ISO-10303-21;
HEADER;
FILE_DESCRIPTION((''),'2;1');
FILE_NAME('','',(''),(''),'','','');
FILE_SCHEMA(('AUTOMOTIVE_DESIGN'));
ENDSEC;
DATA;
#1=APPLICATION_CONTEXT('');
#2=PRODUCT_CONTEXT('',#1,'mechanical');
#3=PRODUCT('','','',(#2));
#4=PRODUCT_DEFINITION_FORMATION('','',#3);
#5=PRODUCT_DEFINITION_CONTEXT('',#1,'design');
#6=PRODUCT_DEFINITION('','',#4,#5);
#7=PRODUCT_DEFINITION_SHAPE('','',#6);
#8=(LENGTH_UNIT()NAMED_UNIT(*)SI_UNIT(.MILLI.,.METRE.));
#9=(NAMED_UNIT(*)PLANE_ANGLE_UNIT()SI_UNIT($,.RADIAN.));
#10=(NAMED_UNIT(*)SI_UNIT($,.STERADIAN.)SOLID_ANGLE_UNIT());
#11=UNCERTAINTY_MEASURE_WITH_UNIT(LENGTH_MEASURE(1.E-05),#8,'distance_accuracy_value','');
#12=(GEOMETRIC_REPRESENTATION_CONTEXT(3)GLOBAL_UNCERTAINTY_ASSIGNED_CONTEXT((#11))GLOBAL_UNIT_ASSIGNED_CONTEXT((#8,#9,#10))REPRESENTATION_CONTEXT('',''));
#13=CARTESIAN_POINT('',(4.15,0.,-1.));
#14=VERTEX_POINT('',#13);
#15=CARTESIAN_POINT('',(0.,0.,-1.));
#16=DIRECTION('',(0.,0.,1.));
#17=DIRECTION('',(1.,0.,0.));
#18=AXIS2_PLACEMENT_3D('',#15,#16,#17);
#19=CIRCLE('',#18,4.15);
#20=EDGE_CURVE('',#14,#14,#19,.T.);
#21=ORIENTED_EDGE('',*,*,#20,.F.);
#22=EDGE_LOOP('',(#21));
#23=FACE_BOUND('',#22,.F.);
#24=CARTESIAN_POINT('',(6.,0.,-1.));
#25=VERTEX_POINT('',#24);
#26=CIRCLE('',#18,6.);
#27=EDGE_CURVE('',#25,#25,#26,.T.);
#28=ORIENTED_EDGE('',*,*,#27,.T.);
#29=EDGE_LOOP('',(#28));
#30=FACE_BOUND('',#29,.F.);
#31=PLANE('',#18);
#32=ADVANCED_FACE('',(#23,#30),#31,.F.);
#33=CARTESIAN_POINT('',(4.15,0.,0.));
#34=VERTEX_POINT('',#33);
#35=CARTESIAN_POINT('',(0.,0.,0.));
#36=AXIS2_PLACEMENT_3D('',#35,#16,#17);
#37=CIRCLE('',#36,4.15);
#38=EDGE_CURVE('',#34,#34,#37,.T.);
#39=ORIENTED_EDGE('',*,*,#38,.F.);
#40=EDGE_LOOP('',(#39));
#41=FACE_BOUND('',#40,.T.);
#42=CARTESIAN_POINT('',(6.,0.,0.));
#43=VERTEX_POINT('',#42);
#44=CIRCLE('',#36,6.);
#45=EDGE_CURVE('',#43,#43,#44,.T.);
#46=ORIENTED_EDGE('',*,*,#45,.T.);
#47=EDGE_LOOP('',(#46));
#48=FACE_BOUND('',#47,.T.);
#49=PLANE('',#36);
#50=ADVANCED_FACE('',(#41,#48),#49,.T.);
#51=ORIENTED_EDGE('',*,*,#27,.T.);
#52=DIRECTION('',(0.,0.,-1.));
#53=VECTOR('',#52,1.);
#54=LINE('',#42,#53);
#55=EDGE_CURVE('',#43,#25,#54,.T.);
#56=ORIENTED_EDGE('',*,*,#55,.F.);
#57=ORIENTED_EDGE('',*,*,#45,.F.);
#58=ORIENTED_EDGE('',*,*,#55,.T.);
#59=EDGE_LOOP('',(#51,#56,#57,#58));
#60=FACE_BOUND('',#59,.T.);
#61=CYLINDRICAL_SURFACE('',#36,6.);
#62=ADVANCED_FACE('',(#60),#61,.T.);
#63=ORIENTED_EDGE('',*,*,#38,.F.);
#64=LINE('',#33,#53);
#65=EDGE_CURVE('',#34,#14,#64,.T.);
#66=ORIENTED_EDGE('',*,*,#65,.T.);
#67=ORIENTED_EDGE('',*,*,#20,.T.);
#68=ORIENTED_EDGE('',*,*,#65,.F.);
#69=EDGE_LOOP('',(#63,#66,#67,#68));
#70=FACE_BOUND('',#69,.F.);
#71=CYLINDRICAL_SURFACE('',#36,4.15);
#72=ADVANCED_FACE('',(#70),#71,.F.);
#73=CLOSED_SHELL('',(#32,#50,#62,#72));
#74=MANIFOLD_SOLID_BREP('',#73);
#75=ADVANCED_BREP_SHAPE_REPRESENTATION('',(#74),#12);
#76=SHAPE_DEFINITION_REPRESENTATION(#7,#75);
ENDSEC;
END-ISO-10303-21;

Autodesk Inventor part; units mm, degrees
ref_plane "YZ Plane" through (0, 0, 0) normal (1, 0, 0) x (0, 1, 0)
ref_plane "XZ Plane" through (0, 0, 0) normal (0, 1, 0) x (-1, 0, 0)
ref_plane "XY Plane" through (0, 0, 0) normal (0, 0, 1) x (1, 0, 0)
sketch "Sketch1" plane through (0, 0, 0) normal (0, 0, 1) x (1, 0, 0)
  circle A0 centre (0, 0) radius 4.15
  circle A1 centre (0, 0) radius 6
  dimension "d0" = 8.3
  dimension "d1" = 12
extrude "Extrusion1" add sketch "Sketch1" against normal blind 1
properties part number "Washer"
